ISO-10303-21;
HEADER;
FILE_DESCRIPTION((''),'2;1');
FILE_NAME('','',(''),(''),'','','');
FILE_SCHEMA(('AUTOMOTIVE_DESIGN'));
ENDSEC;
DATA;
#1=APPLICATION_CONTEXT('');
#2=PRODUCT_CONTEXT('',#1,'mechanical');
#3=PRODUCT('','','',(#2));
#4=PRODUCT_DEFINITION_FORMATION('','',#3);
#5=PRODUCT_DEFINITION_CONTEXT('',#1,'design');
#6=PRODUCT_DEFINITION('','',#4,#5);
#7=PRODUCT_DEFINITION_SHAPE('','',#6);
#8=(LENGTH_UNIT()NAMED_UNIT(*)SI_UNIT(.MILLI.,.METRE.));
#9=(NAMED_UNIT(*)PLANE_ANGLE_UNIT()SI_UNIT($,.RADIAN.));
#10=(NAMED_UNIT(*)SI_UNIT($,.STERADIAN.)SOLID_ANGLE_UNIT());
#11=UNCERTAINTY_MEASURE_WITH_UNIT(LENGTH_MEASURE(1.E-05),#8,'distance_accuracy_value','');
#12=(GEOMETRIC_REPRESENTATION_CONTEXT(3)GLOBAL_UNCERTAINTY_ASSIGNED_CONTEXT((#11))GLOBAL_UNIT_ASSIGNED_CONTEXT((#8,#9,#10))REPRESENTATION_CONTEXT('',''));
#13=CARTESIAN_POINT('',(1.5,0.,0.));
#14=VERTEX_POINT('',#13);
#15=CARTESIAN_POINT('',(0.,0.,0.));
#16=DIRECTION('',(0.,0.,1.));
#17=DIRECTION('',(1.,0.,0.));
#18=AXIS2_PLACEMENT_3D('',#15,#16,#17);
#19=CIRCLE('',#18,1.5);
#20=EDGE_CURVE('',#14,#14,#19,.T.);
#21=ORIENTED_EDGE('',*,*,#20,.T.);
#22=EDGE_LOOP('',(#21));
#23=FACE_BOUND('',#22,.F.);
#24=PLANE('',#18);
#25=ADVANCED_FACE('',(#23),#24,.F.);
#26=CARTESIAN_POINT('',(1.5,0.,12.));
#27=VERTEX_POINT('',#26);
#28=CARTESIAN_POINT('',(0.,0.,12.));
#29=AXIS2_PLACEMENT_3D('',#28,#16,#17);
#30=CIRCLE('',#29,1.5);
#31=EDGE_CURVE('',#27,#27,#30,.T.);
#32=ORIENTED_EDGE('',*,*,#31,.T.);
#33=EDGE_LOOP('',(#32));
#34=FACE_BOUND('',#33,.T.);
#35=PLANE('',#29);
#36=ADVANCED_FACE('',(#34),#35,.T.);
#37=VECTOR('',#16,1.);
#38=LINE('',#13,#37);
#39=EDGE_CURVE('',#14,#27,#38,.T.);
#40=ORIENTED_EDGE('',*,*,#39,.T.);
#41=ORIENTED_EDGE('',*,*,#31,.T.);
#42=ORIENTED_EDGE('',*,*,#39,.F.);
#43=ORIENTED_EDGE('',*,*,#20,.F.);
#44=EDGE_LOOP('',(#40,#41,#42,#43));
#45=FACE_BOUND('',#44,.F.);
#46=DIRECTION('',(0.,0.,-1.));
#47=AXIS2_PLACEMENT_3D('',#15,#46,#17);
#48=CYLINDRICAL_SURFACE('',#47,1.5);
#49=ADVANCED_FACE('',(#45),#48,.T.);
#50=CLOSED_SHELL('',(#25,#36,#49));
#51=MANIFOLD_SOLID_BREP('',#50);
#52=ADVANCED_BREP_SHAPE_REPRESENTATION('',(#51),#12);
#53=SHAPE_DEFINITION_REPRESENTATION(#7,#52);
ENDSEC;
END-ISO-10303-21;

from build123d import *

# Parameters (mm, degrees)
SKETCH_1_R      = 1.5
EXTRUDE_1_DEPTH = 12


with BuildPart() as part:
    # 草图1 → 凸台-拉伸1 (new body)
    with BuildSketch(Plane.XY):
        Circle(SKETCH_1_R)
    extrude(amount=EXTRUDE_1_DEPTH)


solid = part.part
